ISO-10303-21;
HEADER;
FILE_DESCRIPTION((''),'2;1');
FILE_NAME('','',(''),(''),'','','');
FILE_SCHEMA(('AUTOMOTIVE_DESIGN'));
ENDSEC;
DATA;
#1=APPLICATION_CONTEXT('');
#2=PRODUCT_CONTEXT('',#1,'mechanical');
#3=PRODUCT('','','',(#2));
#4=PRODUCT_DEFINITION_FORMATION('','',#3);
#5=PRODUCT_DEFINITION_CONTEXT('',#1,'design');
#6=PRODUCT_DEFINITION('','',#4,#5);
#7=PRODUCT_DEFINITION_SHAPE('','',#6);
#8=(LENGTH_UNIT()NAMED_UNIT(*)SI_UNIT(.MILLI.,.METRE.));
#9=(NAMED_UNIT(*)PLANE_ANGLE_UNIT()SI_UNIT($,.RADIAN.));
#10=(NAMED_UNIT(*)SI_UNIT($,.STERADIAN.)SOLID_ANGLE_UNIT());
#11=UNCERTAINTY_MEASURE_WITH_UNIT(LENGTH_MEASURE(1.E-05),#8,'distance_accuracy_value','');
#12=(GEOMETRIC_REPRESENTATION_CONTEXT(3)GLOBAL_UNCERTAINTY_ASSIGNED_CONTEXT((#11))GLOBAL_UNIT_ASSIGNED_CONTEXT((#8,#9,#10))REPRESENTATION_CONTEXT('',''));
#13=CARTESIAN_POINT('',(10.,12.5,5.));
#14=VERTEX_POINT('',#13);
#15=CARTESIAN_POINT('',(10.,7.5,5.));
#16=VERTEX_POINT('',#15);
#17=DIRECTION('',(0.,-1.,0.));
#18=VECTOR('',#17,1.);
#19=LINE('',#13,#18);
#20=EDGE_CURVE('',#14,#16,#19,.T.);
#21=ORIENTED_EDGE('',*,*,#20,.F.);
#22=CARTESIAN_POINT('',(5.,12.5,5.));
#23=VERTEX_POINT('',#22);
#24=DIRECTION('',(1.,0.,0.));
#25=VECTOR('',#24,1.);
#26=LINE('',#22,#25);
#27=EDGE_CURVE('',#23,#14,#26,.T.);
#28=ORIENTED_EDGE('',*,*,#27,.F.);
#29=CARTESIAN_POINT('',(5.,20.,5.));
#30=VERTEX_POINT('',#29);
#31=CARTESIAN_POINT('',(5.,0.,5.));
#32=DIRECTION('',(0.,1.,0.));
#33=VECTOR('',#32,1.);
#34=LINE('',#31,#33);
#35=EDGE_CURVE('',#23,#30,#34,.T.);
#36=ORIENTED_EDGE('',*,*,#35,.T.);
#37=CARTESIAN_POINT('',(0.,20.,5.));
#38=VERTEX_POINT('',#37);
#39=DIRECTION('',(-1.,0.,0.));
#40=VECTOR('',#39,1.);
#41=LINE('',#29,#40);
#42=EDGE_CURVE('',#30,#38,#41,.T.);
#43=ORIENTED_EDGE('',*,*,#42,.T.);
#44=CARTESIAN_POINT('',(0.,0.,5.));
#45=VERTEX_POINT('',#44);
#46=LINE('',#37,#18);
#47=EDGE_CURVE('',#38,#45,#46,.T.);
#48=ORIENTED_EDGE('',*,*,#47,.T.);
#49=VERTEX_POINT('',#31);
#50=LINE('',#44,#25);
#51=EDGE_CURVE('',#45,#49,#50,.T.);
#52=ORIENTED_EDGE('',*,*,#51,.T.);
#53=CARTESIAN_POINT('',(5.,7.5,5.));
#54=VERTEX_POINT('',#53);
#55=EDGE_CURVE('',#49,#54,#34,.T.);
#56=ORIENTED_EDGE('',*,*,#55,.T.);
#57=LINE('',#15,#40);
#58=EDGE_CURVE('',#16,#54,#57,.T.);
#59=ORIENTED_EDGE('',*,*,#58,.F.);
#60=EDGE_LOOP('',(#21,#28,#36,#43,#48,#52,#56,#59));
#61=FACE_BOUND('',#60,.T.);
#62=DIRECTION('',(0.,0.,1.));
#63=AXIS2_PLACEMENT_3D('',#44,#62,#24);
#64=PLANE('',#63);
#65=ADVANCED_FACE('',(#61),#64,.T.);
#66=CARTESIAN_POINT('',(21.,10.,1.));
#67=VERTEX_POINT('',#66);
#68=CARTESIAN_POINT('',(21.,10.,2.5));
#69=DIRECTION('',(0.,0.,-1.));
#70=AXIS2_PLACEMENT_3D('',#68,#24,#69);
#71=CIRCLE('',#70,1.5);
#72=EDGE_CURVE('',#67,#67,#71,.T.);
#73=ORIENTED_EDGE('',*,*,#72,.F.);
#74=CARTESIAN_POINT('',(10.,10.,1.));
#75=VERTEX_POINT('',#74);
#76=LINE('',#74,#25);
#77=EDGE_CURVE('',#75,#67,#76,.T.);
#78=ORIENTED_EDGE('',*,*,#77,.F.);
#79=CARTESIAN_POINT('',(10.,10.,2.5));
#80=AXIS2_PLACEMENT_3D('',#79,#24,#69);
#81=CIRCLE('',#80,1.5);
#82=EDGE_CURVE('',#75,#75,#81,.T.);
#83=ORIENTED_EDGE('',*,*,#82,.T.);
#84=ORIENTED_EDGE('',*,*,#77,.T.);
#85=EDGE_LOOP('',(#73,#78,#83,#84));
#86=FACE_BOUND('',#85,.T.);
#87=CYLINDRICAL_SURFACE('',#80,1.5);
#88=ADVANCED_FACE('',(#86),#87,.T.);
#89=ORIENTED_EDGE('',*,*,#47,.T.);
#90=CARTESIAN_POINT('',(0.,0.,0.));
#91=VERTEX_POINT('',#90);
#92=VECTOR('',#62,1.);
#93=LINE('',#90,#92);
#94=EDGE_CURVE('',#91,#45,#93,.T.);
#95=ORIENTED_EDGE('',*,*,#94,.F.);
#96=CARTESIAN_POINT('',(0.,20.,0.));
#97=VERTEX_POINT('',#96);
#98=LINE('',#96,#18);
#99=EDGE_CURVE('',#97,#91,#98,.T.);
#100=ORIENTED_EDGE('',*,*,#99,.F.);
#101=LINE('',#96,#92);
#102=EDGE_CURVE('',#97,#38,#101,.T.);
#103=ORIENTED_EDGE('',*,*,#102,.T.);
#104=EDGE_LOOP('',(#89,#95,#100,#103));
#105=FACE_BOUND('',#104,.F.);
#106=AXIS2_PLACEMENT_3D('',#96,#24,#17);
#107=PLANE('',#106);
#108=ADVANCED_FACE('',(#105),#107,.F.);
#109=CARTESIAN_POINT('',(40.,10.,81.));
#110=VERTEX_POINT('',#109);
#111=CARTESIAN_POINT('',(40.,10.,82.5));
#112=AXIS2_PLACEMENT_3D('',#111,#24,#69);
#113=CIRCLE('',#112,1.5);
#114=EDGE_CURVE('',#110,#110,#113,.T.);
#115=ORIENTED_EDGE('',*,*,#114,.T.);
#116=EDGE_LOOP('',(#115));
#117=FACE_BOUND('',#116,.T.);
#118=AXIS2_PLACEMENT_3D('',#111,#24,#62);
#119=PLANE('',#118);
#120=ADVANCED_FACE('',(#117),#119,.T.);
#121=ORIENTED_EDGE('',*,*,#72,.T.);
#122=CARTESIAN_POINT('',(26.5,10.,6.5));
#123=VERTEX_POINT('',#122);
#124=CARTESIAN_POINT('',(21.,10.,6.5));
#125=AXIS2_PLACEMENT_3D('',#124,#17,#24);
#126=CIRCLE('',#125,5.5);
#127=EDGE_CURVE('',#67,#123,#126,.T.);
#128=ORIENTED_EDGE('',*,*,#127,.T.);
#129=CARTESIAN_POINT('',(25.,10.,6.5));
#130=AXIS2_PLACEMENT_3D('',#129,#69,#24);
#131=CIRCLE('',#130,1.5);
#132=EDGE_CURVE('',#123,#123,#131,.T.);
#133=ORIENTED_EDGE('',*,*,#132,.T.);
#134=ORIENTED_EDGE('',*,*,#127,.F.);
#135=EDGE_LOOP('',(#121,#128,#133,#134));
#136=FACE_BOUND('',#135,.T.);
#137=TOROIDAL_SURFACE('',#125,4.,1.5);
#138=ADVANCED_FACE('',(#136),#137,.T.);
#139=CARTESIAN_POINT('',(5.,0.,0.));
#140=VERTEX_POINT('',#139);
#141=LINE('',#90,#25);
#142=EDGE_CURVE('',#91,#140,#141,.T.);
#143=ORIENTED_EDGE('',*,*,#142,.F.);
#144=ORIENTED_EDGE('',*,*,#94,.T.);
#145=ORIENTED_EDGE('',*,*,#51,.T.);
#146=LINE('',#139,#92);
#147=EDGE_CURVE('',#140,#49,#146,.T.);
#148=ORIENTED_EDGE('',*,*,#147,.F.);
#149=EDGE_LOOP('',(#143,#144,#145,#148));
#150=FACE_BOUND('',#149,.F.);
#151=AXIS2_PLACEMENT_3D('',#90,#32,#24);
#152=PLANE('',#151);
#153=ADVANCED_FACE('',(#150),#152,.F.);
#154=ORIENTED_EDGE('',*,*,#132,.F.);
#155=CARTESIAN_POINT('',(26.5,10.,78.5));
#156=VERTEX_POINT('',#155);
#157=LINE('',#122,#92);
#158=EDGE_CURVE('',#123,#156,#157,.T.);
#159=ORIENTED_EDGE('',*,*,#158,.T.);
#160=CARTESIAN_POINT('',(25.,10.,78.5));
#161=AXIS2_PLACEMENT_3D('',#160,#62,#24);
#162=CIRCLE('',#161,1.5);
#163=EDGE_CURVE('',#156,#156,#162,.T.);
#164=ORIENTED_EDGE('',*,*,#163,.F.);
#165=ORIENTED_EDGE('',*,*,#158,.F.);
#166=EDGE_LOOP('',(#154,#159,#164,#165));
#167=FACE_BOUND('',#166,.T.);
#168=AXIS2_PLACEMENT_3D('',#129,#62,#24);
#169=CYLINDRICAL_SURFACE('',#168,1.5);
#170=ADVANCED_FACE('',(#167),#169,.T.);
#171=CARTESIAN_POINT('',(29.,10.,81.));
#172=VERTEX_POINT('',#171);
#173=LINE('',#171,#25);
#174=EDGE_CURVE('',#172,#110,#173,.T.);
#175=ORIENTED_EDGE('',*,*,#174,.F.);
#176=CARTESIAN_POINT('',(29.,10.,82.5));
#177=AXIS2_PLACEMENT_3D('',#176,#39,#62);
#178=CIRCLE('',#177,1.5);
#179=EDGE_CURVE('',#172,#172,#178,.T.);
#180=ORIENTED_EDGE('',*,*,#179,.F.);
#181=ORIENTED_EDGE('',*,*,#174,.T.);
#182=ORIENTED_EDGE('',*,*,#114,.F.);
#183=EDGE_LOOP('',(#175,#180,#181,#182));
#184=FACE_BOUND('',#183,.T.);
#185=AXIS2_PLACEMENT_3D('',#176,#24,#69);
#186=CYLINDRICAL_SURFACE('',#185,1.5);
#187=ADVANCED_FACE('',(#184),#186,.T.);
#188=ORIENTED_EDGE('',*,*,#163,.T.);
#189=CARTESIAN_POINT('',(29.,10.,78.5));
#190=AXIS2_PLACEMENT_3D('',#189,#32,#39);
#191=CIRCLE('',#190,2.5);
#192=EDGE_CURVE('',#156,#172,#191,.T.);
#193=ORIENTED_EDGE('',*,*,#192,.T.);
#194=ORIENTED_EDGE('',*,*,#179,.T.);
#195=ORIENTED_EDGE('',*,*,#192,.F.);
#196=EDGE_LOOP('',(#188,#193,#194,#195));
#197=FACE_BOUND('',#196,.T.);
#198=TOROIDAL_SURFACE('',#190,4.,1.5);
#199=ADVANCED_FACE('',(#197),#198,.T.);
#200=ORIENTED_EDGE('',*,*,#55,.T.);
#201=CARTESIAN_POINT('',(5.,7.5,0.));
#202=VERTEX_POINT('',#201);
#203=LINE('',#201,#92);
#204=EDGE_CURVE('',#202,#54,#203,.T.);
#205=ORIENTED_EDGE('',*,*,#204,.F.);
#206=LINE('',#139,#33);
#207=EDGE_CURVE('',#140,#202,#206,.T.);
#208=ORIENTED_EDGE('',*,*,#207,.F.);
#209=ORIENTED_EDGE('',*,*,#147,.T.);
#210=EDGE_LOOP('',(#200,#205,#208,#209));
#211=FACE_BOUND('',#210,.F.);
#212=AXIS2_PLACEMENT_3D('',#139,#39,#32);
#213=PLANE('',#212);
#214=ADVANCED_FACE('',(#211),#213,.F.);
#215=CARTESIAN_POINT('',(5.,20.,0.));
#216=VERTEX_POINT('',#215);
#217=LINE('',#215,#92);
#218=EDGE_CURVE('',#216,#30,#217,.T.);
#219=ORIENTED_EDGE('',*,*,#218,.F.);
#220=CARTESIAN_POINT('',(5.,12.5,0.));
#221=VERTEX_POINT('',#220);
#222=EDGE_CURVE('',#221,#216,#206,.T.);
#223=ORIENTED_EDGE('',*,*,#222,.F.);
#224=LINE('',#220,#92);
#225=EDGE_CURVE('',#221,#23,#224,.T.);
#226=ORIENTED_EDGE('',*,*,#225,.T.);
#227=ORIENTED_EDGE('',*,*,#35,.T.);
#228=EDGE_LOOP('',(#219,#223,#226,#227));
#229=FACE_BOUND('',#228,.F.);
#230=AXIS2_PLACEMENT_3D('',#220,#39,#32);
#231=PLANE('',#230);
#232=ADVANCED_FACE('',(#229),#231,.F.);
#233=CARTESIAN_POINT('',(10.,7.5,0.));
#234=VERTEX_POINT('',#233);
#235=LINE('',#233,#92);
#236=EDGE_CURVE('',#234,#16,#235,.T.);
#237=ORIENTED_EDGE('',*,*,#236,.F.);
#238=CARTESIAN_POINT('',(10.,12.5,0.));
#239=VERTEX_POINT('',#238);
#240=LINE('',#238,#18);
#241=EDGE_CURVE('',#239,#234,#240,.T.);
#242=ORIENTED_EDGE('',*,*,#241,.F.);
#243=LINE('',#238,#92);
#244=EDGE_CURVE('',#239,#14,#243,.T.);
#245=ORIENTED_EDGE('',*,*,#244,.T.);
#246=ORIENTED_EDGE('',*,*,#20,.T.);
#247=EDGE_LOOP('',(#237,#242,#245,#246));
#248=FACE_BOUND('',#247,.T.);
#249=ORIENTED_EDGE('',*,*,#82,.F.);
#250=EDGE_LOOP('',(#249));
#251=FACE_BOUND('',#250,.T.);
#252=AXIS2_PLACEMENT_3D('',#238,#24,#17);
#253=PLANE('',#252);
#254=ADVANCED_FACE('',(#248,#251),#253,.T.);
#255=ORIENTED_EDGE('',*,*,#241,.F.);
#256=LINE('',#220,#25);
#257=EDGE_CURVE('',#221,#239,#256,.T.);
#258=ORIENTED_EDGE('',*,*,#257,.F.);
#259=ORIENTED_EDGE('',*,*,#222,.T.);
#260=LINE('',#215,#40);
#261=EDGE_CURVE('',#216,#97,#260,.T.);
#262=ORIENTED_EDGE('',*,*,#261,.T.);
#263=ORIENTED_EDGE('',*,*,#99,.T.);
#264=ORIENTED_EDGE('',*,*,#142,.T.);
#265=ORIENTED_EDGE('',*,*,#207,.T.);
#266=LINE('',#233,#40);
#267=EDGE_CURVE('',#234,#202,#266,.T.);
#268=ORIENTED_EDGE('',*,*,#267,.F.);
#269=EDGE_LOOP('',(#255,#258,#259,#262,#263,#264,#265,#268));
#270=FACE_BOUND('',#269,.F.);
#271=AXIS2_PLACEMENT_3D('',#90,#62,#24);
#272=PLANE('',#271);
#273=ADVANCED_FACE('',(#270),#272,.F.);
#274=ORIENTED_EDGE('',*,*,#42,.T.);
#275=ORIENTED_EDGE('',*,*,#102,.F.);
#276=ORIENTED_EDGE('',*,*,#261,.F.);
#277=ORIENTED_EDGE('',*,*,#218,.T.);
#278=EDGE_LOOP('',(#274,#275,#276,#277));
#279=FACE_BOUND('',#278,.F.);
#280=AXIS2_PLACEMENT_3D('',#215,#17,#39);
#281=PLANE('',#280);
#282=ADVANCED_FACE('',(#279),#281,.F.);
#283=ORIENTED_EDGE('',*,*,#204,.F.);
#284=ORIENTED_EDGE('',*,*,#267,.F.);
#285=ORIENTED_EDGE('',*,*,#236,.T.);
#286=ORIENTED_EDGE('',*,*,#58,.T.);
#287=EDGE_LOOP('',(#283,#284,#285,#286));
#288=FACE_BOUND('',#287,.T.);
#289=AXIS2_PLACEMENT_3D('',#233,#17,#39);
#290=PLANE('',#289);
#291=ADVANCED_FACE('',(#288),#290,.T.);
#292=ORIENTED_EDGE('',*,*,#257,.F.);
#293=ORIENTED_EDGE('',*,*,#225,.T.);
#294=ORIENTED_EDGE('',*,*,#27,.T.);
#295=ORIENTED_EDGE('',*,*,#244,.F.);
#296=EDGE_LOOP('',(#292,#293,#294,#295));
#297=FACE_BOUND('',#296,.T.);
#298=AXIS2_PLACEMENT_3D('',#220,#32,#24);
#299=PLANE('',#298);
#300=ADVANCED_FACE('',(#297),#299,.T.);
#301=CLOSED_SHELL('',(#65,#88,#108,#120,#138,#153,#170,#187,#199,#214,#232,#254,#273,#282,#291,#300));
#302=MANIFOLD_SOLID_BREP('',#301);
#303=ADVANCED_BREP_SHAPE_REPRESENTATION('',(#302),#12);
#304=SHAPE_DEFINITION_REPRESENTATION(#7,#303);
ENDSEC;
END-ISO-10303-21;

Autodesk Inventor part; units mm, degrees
ref_plane "YZ Plane" through (0, 0, 0) normal (1, 0, 0) x (0, 1, 0)
ref_plane "XY Plane" through (0, 0, 0) normal (0, 0, 1) x (1, 0, 0)
sketch "Sketch1" plane through (0, 0, 0) normal (0, 0, 1) x (1, 0, 0)
  line L0 (0, 0) -> (5, 0)
  line L1 (5, 0) -> (5, 20)
  line L2 (5, 20) -> (0, 20)
  line L3 (0, 20) -> (0, 0)
  line L4 (5, 12.5) -> (10, 12.5)
  line L5 (10, 12.5) -> (10, 7.5)
  line L6 (10, 7.5) -> (5, 7.5)
  line L7 (5, 7.5) -> (5, 12.5)
  line L8 (0, 10) -> (28.6549, 10) construction
  dimension "d0" = 5
  dimension "d1" = 20
  dimension "d2" = 5
  dimension "d3" = 5
  dimension "d4" = 2.5
extrude "Extrusion1" add sketch "Sketch1" along normal blind 5
ref_plane "Work Plane2" through (0, 10, 0) normal (0, 1, 0) x (-1, 0, 0)
sketch "Sketch2" plane through (0, 10, 0) normal (0, 1, 0) x (-1, 0, 0)
  line L0 (-10, 0) -> (-10, 5) projected
  line L1 (-10, 2.5) -> (-21, 2.5)
  line L2 (-25, 6.5) -> (-25, 78.5)
  line L3 (-29, 82.5) -> (-40, 82.5)
  arc A0 (-25, 6.5) -> (-21, 2.5) centre (-21, 6.5) ccw
  arc A1 (-25, 78.5) -> (-29, 82.5) centre (-29, 78.5) ccw
  point P0 (0, 0)
  dimension "d11" = 8
  dimension "d12" = 8
  dimension "d13" = 15
  dimension "d14" = 80
  dimension "d16" = 15
sketch "Sketch3" plane through (10, 7.5, 0) normal (1, 0, 0) x (0, 0, -1)
  circle A0 centre (-2.5, 2.5) radius 1.5
  line L0 (0, 5) -> (-5, 5) projected
  line L1 (0, 0) -> (0, 5) projected
  point P0 (0, -7.5)
  dimension "d17" = 3
  dimension "d18" = 2.5
  dimension "d19" = 2.5
sweep "Sweep1" add profiles "Sketch3" path "Sketch2" path curves L1 A0 L2 A1 L3
properties part number "gancho"
